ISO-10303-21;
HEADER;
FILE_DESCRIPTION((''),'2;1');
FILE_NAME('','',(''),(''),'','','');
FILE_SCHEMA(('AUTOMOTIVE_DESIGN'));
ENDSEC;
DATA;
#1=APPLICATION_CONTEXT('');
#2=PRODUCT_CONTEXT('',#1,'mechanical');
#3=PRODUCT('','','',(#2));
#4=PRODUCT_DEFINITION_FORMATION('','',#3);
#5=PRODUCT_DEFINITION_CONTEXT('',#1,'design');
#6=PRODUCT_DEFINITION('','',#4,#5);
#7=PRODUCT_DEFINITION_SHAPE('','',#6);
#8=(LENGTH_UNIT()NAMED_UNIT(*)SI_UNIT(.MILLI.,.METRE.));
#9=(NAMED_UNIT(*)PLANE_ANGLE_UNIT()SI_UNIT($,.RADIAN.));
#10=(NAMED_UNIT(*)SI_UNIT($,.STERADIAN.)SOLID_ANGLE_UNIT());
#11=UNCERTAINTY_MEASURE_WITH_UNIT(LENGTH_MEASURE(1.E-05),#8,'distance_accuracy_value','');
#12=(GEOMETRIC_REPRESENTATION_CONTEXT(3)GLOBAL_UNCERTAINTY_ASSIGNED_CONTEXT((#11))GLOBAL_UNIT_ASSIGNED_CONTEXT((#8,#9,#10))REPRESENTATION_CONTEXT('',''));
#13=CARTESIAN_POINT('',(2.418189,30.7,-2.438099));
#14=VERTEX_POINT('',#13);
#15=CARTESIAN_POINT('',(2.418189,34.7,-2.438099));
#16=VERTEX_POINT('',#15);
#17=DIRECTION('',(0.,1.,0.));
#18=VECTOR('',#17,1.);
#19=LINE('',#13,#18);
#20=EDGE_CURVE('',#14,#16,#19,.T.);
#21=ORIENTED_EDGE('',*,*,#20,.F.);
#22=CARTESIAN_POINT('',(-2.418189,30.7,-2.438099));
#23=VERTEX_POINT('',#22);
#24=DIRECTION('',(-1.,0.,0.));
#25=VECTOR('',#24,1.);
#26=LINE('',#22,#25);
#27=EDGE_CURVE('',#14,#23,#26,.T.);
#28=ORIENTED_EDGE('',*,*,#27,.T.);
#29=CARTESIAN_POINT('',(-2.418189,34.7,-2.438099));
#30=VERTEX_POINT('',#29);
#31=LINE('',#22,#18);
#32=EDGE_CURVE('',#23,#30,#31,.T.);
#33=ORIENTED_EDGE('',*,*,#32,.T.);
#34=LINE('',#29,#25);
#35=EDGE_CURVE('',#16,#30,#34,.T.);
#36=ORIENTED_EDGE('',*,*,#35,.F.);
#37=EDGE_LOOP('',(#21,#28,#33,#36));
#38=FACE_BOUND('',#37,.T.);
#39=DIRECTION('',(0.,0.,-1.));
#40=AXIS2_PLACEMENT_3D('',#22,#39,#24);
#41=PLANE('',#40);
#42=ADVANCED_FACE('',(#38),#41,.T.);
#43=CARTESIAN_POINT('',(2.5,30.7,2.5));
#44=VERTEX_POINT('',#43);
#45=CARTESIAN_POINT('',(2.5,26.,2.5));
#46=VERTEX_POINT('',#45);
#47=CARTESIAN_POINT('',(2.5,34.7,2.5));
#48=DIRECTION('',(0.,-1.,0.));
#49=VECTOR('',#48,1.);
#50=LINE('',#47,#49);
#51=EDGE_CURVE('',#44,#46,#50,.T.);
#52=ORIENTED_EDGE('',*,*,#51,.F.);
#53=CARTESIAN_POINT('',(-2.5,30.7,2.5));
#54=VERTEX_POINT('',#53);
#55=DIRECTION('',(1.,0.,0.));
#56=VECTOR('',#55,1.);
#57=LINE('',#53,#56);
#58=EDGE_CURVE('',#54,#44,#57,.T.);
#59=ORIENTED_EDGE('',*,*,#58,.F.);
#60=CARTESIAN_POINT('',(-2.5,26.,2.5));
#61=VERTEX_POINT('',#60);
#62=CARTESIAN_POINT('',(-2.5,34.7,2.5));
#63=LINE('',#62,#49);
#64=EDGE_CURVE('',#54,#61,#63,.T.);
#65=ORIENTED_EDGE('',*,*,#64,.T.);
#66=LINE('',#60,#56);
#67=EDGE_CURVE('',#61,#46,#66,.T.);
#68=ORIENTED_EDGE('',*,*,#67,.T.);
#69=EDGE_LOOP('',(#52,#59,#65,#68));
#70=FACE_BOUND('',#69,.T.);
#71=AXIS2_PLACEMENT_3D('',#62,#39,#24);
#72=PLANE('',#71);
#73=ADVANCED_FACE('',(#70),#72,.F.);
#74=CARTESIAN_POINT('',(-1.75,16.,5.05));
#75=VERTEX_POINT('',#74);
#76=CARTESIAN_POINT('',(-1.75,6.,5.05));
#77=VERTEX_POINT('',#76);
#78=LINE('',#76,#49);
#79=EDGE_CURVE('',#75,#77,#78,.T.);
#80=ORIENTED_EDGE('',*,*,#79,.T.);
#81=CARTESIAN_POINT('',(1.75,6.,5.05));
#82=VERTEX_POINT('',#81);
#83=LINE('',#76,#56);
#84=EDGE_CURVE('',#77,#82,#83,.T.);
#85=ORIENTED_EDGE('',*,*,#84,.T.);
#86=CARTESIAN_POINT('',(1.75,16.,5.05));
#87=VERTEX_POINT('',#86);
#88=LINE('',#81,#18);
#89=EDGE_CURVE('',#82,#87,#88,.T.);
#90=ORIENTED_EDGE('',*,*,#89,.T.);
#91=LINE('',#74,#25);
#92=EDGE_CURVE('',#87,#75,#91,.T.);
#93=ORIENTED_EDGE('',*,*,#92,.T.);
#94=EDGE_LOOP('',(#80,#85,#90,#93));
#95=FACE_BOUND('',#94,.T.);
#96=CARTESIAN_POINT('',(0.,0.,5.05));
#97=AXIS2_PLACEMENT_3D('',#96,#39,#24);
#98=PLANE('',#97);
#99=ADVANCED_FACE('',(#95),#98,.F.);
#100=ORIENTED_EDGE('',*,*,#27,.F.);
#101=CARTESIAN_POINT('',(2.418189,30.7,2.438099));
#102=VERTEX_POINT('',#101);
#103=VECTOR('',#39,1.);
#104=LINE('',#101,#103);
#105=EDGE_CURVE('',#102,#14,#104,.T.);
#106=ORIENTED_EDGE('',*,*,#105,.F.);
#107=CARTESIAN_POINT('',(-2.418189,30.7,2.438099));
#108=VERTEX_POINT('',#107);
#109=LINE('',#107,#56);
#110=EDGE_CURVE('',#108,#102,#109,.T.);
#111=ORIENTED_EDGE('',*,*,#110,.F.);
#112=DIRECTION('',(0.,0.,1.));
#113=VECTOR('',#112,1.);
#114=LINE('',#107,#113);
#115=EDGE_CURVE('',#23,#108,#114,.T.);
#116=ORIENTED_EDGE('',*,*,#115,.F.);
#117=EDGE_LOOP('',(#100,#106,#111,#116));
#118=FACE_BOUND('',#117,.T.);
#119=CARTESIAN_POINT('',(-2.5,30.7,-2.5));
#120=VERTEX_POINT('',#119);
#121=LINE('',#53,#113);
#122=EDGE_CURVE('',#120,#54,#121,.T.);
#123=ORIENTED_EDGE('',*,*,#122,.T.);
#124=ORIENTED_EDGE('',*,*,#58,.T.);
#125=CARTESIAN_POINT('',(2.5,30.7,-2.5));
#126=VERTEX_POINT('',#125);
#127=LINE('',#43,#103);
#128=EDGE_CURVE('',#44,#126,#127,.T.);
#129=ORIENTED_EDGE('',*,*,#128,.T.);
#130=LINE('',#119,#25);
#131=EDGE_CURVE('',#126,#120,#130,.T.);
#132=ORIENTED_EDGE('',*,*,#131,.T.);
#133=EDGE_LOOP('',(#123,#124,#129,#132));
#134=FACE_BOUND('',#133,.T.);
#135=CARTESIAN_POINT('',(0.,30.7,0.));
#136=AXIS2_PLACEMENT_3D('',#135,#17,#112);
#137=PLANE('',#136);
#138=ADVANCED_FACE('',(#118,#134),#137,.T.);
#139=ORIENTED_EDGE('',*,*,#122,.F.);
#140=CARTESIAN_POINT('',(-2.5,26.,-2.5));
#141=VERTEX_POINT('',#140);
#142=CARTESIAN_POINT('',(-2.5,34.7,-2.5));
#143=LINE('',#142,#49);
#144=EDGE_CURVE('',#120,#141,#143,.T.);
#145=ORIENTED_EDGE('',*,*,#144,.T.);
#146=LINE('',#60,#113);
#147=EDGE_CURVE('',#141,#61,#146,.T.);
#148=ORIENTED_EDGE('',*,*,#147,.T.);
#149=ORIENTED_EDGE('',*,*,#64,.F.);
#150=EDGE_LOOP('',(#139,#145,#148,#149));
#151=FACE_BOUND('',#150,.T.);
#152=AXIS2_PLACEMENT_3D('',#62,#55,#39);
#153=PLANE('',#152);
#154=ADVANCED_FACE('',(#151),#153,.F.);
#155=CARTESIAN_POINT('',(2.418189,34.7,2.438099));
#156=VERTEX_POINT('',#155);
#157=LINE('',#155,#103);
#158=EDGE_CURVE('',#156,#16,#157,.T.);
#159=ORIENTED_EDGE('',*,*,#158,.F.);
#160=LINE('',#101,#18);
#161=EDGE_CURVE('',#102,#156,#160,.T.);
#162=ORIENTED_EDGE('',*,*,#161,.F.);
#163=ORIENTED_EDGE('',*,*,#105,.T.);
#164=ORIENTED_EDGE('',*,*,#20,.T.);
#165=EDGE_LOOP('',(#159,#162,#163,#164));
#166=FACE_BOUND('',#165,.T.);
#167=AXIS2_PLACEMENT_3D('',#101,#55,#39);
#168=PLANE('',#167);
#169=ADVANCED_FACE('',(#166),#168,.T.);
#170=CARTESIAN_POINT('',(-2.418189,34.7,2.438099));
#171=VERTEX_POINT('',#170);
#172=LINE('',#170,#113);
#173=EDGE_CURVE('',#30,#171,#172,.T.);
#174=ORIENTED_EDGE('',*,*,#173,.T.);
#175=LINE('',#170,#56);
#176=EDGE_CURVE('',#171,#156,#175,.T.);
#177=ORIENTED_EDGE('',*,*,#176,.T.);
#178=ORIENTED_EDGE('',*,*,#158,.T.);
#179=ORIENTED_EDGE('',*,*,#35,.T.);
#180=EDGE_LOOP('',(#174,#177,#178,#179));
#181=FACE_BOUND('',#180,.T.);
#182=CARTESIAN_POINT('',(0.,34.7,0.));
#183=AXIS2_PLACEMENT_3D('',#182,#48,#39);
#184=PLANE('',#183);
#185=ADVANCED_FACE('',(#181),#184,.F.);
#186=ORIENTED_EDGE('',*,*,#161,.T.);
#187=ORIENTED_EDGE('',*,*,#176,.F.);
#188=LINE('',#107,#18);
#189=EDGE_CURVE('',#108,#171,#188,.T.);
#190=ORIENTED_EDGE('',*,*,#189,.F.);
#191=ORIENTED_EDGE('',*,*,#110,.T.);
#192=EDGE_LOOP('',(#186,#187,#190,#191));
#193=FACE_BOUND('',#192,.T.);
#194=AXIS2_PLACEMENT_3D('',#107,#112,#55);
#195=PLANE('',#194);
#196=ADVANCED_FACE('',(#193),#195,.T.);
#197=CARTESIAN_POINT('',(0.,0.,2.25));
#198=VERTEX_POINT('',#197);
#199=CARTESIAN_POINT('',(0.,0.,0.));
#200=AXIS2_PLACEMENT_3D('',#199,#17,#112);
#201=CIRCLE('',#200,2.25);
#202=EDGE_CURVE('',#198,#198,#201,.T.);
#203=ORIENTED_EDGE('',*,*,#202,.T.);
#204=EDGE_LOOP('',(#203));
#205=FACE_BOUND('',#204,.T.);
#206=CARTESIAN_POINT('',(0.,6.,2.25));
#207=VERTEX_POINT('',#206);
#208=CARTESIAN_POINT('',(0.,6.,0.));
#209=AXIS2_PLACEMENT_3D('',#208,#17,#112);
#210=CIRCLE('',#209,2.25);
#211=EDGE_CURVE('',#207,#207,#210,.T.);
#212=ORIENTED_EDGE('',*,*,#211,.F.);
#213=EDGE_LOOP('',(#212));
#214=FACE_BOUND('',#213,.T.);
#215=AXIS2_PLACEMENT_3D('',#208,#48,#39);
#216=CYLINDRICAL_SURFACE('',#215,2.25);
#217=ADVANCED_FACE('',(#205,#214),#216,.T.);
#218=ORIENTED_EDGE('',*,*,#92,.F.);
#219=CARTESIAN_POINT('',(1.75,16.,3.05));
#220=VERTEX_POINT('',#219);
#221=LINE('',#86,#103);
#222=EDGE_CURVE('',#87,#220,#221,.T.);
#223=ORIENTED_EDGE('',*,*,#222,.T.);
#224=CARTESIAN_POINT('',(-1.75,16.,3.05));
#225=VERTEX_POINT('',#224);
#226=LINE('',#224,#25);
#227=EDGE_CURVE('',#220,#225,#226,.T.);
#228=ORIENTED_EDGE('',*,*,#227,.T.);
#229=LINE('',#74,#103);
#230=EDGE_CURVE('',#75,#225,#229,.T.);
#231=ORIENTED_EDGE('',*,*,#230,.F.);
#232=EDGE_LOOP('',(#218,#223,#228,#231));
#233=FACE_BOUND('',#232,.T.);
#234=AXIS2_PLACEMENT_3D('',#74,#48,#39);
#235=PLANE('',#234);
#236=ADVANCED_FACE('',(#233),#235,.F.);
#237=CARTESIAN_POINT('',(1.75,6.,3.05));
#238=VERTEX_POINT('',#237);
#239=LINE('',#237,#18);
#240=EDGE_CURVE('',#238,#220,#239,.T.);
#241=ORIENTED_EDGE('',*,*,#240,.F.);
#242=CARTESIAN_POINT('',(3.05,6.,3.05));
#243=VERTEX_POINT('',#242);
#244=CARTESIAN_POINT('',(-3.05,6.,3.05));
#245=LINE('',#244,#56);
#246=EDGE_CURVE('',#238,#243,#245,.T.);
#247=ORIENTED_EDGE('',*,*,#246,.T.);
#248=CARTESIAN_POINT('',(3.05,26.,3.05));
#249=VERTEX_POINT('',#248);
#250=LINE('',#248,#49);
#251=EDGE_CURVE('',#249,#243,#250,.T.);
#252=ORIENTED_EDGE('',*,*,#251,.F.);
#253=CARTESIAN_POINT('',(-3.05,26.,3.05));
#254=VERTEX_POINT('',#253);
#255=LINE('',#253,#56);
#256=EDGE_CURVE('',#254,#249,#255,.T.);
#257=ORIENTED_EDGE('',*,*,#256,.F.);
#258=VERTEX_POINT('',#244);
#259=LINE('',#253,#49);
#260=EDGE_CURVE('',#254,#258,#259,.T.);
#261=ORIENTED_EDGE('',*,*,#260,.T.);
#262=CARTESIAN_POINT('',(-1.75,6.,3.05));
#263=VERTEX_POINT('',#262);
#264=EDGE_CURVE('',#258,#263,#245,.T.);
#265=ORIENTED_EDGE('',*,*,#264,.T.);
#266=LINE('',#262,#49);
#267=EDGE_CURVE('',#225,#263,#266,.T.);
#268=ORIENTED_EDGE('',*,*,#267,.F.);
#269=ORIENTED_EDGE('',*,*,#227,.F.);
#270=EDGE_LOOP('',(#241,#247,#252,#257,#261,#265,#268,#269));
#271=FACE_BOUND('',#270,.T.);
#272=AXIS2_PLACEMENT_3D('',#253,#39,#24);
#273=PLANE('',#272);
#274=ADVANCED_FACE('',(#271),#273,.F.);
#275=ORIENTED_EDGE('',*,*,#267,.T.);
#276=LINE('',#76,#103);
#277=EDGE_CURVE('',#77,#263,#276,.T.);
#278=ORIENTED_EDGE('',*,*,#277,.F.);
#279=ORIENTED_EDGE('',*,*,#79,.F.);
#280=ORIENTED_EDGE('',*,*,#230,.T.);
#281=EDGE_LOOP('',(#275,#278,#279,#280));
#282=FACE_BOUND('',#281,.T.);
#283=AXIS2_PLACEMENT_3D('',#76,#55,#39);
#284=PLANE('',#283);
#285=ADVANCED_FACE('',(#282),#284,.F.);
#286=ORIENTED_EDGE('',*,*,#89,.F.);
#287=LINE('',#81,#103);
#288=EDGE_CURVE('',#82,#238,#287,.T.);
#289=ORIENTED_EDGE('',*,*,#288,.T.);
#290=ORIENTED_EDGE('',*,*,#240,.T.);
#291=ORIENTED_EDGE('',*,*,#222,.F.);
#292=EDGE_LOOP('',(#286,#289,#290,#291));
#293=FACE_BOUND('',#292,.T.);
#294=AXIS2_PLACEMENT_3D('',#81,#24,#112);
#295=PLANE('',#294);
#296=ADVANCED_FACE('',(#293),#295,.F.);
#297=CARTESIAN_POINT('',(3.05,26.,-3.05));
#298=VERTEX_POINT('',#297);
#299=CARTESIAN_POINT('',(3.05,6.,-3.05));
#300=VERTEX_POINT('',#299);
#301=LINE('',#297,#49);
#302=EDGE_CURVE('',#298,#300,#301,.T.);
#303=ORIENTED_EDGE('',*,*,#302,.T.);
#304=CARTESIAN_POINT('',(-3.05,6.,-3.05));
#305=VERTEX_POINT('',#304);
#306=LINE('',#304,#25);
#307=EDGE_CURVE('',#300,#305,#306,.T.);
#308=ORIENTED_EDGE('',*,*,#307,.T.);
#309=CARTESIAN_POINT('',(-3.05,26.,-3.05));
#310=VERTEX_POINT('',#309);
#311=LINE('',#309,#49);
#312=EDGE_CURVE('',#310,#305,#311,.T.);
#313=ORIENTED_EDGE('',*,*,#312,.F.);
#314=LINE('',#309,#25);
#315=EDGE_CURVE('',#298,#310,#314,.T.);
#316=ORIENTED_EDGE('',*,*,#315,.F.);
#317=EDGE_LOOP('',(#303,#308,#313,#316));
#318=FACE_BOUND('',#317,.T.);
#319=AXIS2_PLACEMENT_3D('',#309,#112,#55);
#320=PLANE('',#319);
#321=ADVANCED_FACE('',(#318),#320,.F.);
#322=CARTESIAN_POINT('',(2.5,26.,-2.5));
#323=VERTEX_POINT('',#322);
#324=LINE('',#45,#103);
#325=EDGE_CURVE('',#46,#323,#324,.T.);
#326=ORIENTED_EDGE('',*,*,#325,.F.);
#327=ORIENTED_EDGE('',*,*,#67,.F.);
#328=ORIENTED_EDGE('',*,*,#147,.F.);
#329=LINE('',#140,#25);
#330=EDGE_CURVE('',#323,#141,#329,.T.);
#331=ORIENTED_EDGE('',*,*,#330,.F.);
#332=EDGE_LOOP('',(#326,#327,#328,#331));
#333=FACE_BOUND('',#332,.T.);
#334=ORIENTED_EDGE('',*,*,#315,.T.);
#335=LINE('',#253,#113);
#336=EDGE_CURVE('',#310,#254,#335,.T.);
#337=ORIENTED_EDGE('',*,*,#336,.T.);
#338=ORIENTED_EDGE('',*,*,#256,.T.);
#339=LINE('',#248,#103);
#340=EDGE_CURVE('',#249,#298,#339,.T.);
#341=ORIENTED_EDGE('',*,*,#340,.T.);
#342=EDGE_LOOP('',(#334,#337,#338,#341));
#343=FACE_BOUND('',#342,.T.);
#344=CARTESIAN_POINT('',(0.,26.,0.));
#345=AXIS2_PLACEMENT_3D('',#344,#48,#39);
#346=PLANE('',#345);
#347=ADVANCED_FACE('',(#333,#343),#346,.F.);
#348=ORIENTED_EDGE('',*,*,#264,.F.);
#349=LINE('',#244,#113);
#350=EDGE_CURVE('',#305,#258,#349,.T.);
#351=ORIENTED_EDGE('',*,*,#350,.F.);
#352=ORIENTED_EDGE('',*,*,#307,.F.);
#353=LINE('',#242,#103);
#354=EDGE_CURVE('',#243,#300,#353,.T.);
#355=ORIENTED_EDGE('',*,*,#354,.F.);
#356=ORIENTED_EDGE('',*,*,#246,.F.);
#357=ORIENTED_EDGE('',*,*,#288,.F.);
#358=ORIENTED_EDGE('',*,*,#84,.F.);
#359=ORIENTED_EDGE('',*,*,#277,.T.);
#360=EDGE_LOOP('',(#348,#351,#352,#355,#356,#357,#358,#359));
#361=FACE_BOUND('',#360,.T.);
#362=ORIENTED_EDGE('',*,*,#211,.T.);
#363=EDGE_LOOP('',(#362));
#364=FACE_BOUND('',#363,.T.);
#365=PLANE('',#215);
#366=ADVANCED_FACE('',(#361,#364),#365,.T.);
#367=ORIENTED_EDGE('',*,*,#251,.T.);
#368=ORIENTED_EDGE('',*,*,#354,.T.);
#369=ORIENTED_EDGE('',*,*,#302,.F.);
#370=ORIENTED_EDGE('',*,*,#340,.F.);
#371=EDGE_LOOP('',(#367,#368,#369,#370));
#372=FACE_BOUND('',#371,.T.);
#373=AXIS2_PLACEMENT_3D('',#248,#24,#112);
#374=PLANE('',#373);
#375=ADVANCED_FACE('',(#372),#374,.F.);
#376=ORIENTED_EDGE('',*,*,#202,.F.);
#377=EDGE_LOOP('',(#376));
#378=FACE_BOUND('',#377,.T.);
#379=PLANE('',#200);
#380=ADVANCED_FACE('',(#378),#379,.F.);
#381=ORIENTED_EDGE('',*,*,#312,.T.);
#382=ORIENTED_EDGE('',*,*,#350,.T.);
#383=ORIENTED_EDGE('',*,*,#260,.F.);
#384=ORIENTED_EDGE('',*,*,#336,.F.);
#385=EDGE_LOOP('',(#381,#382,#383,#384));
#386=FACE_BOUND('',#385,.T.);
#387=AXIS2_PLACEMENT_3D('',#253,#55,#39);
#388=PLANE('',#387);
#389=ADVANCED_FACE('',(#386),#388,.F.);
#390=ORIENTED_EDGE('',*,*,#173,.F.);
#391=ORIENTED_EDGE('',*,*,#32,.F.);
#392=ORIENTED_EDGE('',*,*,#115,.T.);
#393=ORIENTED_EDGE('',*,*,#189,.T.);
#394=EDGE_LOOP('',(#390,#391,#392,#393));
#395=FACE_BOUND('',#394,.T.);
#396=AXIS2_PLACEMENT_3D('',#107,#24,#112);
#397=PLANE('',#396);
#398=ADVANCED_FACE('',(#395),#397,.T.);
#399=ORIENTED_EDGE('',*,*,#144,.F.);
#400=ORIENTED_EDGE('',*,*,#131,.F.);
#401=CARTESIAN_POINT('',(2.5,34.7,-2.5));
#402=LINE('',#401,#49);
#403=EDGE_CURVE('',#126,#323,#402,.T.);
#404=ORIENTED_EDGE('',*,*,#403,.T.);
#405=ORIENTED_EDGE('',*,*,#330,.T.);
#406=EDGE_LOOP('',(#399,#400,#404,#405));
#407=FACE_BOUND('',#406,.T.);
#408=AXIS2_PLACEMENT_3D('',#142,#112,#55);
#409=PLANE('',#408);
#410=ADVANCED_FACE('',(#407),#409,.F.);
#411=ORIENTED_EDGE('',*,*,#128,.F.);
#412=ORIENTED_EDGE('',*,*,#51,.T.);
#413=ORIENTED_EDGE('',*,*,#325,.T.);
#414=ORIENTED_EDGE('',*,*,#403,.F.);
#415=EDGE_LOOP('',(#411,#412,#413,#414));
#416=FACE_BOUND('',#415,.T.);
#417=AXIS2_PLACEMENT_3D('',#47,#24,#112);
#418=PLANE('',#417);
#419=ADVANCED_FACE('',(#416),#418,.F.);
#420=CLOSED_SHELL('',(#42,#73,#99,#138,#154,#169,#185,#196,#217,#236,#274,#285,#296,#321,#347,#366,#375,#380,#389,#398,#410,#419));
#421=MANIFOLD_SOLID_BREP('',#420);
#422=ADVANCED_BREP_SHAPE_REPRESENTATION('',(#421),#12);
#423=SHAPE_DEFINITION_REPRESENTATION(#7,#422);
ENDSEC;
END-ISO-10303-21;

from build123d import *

# Parameters (mm, degrees)
SKETCH1_R           = 2.25
BOSS_EXTRUDE1_DEPTH = 6
SKETCH2_W           = 6.1
SKETCH2_H           = 6.1
BOSS_EXTRUDE2_DEPTH = 20
SKETCH3_W           = 5
SKETCH3_H           = 5
BOSS_EXTRUDE3_DEPTH = 8.7
SKETCH4_OUTSIDE_W   = 15.252
SKETCH4_OUTSIDE_H   = 15.252
SKETCH4_OUTSIDE_W_2 = 4.836378696
SKETCH4_OUTSIDE_H_2 = 4.876198926
CUT_EXTRUDE1_DEPTH  = 4
SKETCH5_W           = 3.5
SKETCH5_H           = 10
BOSS_EXTRUDE4_DEPTH = 2


with BuildPart() as part:
    # Sketch1 → Boss-Extrude1 (new body)
    with BuildSketch(Plane(origin=(0, 0, 0), x_dir=(1, 0, 0), z_dir=(0, 1, 0))):
        with Locations(Location((0, 0, 0), (0, 0, 270))):
            Circle(SKETCH1_R)
    extrude(amount=BOSS_EXTRUDE1_DEPTH)

    # Sketch2 → Boss-Extrude2 (add)
    with BuildSketch(Plane(origin=(0, 6, 0), x_dir=(1, 0, 0), z_dir=(0, 1, 0))):
        Rectangle(SKETCH2_W, SKETCH2_H)
    extrude(amount=BOSS_EXTRUDE2_DEPTH)

    # Sketch3 → Boss-Extrude3 (add)
    with BuildSketch(Plane(origin=(0, 26, 0), x_dir=(1, 0, 0), z_dir=(0, 1, 0))):
        Rectangle(SKETCH3_W, SKETCH3_H)
    extrude(amount=BOSS_EXTRUDE3_DEPTH)

    # Sketch4 outside → Cut-Extrude1 (cut)
    with BuildSketch(Plane(origin=(0, 34.7, 0), x_dir=(1, 0, 0), z_dir=(0, 1, 0))):
        Rectangle(SKETCH4_OUTSIDE_W, SKETCH4_OUTSIDE_H)
        Rectangle(SKETCH4_OUTSIDE_W_2, SKETCH4_OUTSIDE_H_2, mode=Mode.SUBTRACT)
    extrude(amount=-CUT_EXTRUDE1_DEPTH, mode=Mode.SUBTRACT)

    # Sketch5 → Boss-Extrude4 (add)
    with BuildSketch(Plane.XY.offset(3.05)):
        with Locations((0, 11)):
            Rectangle(SKETCH5_W, SKETCH5_H)
    extrude(amount=BOSS_EXTRUDE4_DEPTH)


solid = part.part
